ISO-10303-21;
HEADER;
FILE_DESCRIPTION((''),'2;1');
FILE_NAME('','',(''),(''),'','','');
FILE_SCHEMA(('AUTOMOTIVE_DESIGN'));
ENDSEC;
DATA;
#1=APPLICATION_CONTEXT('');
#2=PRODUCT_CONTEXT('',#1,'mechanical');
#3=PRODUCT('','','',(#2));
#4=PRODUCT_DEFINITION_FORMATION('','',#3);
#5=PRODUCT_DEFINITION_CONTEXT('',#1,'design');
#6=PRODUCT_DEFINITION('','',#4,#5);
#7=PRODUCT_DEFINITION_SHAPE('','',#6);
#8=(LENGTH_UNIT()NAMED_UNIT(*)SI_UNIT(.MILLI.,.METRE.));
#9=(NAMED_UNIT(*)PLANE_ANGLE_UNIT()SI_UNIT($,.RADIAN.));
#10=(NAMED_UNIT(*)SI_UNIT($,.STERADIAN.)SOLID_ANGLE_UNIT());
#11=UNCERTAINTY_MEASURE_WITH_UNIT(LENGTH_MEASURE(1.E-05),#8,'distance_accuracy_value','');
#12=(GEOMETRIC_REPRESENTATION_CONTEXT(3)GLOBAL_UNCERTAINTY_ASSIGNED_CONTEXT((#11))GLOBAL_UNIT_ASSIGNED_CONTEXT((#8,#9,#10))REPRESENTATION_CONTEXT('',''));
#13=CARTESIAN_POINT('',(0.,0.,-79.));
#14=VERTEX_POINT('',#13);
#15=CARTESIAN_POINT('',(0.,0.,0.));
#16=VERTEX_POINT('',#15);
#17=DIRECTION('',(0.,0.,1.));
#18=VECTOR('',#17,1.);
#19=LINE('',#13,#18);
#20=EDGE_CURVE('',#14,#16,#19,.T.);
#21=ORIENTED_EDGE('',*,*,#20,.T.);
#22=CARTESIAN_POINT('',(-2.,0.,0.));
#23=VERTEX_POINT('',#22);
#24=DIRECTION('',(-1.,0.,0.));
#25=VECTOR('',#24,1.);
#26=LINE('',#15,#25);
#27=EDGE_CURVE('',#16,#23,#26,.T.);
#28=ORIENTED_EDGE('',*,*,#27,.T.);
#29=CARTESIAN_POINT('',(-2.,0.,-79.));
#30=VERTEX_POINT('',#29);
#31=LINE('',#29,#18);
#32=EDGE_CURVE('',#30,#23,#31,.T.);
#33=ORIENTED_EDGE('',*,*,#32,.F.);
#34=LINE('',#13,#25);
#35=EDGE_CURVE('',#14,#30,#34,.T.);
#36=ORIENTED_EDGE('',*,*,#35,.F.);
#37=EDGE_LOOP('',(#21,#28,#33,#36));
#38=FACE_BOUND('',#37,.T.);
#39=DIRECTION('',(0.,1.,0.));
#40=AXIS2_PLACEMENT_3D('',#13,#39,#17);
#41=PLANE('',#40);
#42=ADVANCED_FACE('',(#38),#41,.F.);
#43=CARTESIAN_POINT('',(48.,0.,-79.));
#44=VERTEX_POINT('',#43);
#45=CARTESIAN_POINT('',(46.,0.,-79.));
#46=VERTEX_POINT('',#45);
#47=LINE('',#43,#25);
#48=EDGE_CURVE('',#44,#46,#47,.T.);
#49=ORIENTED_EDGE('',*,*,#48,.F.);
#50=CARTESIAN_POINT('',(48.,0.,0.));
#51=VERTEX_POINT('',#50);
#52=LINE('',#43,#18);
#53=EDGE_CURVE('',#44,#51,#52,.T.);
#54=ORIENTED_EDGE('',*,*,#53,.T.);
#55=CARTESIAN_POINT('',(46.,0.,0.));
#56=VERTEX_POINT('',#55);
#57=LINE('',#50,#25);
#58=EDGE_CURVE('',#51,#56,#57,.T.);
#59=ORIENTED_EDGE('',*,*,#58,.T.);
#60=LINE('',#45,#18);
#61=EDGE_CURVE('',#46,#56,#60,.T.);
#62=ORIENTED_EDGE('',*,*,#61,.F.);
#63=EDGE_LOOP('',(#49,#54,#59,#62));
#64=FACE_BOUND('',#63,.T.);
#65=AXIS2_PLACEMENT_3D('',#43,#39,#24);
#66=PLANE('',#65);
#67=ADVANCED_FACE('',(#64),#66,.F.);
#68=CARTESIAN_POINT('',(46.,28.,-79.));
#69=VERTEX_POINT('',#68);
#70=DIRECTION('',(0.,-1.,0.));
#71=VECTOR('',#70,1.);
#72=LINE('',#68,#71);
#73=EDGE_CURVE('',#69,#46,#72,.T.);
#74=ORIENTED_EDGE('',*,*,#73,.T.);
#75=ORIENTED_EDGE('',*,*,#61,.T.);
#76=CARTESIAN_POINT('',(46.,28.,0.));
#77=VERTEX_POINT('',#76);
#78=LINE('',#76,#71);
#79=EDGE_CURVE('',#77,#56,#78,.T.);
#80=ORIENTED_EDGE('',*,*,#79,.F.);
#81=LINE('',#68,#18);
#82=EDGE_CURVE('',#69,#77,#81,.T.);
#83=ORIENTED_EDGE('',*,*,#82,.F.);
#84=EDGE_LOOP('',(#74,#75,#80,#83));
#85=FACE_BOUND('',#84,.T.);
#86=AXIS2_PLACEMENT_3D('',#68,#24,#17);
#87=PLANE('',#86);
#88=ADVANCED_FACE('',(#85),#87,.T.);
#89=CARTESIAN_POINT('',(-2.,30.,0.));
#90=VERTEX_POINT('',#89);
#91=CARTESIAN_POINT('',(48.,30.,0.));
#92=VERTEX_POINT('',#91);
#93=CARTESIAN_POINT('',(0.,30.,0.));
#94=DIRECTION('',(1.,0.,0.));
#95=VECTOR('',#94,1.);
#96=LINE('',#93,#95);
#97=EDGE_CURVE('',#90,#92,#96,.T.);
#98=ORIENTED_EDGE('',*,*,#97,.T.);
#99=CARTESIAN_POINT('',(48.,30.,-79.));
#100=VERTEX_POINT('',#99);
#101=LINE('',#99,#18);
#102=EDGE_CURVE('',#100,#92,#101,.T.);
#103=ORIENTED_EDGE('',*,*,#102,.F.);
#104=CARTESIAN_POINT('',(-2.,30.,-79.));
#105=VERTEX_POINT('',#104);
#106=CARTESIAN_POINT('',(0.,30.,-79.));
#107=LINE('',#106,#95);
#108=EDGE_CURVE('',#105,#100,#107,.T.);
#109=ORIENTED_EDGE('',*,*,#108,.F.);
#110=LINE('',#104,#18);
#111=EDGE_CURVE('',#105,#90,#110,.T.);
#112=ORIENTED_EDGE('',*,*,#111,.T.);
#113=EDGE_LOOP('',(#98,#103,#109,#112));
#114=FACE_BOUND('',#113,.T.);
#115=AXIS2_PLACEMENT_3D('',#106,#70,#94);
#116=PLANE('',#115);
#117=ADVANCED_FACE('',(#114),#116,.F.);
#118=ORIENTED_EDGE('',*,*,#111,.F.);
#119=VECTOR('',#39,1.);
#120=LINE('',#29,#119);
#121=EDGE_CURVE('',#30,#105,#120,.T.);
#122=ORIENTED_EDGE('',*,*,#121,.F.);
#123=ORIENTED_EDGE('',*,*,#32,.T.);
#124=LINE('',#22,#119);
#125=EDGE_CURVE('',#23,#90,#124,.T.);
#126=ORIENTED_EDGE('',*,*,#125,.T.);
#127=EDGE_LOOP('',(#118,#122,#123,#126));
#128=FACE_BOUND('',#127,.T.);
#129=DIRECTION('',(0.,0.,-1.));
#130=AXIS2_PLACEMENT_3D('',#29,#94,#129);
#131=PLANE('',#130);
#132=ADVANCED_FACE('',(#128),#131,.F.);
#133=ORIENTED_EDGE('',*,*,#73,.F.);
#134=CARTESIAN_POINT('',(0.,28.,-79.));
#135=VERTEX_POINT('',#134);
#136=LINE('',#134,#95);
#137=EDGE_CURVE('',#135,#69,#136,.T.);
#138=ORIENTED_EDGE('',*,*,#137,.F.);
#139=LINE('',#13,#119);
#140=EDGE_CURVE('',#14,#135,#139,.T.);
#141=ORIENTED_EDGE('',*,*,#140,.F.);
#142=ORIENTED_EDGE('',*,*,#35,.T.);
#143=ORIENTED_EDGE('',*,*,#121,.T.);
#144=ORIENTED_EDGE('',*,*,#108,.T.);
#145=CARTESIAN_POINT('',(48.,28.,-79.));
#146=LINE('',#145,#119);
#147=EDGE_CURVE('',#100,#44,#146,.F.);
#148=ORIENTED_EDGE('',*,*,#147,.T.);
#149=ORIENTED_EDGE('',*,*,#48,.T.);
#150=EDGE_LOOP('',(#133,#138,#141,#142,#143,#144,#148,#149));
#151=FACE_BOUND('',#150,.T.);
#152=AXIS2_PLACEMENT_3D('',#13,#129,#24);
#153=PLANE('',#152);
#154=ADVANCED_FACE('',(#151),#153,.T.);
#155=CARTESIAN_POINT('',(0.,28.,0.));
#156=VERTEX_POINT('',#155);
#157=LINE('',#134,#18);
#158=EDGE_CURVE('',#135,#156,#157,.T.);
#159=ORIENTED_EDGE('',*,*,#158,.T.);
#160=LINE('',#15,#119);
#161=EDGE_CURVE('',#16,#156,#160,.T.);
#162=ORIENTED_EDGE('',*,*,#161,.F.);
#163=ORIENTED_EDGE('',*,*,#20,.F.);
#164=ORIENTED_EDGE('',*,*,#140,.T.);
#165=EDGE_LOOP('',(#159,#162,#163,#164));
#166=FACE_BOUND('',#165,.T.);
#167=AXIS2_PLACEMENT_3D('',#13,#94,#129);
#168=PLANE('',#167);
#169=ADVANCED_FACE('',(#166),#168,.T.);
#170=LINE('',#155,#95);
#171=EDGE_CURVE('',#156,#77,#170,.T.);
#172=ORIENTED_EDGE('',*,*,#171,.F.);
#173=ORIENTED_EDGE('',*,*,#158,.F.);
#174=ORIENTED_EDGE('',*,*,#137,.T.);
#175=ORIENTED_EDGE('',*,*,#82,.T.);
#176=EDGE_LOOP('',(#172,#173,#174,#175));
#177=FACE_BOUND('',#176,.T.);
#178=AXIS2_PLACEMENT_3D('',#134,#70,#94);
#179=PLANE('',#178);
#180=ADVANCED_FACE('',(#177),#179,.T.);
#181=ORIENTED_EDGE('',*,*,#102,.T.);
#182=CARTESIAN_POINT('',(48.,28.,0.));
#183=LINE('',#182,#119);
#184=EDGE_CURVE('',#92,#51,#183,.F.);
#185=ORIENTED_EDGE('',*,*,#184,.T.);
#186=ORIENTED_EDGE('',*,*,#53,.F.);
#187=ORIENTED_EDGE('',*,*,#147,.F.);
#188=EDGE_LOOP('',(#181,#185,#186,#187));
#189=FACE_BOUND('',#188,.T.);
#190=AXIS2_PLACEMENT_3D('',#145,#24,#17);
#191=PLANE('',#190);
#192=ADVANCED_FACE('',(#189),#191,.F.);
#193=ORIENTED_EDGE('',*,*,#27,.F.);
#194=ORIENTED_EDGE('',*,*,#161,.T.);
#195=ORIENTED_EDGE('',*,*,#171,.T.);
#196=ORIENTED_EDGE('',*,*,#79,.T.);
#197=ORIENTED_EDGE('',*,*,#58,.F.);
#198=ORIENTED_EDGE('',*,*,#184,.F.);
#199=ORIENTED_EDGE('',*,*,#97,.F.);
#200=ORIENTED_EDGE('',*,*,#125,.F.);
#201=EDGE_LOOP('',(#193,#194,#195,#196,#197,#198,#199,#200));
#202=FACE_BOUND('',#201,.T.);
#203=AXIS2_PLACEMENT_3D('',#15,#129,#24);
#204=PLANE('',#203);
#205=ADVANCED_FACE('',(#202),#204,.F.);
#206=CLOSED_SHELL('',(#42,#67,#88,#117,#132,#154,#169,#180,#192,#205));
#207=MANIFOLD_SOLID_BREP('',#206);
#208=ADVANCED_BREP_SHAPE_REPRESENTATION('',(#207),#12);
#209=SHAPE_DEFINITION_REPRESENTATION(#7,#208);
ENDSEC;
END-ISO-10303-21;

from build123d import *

# Parameters (mm, degrees)
EXTRUDE_THIN1_DEPTH = 79


with BuildPart() as part:
    # Sketch1 → Extrude-Thin1 (new body)
    with BuildSketch(Plane.XY):
        Polygon((0, 0), (0, 28), (46, 28), (46, 0), (48, 0), (48, 30), (-2, 30), (-2, 0), align=None)
    extrude(amount=-EXTRUDE_THIN1_DEPTH)


solid = part.part
